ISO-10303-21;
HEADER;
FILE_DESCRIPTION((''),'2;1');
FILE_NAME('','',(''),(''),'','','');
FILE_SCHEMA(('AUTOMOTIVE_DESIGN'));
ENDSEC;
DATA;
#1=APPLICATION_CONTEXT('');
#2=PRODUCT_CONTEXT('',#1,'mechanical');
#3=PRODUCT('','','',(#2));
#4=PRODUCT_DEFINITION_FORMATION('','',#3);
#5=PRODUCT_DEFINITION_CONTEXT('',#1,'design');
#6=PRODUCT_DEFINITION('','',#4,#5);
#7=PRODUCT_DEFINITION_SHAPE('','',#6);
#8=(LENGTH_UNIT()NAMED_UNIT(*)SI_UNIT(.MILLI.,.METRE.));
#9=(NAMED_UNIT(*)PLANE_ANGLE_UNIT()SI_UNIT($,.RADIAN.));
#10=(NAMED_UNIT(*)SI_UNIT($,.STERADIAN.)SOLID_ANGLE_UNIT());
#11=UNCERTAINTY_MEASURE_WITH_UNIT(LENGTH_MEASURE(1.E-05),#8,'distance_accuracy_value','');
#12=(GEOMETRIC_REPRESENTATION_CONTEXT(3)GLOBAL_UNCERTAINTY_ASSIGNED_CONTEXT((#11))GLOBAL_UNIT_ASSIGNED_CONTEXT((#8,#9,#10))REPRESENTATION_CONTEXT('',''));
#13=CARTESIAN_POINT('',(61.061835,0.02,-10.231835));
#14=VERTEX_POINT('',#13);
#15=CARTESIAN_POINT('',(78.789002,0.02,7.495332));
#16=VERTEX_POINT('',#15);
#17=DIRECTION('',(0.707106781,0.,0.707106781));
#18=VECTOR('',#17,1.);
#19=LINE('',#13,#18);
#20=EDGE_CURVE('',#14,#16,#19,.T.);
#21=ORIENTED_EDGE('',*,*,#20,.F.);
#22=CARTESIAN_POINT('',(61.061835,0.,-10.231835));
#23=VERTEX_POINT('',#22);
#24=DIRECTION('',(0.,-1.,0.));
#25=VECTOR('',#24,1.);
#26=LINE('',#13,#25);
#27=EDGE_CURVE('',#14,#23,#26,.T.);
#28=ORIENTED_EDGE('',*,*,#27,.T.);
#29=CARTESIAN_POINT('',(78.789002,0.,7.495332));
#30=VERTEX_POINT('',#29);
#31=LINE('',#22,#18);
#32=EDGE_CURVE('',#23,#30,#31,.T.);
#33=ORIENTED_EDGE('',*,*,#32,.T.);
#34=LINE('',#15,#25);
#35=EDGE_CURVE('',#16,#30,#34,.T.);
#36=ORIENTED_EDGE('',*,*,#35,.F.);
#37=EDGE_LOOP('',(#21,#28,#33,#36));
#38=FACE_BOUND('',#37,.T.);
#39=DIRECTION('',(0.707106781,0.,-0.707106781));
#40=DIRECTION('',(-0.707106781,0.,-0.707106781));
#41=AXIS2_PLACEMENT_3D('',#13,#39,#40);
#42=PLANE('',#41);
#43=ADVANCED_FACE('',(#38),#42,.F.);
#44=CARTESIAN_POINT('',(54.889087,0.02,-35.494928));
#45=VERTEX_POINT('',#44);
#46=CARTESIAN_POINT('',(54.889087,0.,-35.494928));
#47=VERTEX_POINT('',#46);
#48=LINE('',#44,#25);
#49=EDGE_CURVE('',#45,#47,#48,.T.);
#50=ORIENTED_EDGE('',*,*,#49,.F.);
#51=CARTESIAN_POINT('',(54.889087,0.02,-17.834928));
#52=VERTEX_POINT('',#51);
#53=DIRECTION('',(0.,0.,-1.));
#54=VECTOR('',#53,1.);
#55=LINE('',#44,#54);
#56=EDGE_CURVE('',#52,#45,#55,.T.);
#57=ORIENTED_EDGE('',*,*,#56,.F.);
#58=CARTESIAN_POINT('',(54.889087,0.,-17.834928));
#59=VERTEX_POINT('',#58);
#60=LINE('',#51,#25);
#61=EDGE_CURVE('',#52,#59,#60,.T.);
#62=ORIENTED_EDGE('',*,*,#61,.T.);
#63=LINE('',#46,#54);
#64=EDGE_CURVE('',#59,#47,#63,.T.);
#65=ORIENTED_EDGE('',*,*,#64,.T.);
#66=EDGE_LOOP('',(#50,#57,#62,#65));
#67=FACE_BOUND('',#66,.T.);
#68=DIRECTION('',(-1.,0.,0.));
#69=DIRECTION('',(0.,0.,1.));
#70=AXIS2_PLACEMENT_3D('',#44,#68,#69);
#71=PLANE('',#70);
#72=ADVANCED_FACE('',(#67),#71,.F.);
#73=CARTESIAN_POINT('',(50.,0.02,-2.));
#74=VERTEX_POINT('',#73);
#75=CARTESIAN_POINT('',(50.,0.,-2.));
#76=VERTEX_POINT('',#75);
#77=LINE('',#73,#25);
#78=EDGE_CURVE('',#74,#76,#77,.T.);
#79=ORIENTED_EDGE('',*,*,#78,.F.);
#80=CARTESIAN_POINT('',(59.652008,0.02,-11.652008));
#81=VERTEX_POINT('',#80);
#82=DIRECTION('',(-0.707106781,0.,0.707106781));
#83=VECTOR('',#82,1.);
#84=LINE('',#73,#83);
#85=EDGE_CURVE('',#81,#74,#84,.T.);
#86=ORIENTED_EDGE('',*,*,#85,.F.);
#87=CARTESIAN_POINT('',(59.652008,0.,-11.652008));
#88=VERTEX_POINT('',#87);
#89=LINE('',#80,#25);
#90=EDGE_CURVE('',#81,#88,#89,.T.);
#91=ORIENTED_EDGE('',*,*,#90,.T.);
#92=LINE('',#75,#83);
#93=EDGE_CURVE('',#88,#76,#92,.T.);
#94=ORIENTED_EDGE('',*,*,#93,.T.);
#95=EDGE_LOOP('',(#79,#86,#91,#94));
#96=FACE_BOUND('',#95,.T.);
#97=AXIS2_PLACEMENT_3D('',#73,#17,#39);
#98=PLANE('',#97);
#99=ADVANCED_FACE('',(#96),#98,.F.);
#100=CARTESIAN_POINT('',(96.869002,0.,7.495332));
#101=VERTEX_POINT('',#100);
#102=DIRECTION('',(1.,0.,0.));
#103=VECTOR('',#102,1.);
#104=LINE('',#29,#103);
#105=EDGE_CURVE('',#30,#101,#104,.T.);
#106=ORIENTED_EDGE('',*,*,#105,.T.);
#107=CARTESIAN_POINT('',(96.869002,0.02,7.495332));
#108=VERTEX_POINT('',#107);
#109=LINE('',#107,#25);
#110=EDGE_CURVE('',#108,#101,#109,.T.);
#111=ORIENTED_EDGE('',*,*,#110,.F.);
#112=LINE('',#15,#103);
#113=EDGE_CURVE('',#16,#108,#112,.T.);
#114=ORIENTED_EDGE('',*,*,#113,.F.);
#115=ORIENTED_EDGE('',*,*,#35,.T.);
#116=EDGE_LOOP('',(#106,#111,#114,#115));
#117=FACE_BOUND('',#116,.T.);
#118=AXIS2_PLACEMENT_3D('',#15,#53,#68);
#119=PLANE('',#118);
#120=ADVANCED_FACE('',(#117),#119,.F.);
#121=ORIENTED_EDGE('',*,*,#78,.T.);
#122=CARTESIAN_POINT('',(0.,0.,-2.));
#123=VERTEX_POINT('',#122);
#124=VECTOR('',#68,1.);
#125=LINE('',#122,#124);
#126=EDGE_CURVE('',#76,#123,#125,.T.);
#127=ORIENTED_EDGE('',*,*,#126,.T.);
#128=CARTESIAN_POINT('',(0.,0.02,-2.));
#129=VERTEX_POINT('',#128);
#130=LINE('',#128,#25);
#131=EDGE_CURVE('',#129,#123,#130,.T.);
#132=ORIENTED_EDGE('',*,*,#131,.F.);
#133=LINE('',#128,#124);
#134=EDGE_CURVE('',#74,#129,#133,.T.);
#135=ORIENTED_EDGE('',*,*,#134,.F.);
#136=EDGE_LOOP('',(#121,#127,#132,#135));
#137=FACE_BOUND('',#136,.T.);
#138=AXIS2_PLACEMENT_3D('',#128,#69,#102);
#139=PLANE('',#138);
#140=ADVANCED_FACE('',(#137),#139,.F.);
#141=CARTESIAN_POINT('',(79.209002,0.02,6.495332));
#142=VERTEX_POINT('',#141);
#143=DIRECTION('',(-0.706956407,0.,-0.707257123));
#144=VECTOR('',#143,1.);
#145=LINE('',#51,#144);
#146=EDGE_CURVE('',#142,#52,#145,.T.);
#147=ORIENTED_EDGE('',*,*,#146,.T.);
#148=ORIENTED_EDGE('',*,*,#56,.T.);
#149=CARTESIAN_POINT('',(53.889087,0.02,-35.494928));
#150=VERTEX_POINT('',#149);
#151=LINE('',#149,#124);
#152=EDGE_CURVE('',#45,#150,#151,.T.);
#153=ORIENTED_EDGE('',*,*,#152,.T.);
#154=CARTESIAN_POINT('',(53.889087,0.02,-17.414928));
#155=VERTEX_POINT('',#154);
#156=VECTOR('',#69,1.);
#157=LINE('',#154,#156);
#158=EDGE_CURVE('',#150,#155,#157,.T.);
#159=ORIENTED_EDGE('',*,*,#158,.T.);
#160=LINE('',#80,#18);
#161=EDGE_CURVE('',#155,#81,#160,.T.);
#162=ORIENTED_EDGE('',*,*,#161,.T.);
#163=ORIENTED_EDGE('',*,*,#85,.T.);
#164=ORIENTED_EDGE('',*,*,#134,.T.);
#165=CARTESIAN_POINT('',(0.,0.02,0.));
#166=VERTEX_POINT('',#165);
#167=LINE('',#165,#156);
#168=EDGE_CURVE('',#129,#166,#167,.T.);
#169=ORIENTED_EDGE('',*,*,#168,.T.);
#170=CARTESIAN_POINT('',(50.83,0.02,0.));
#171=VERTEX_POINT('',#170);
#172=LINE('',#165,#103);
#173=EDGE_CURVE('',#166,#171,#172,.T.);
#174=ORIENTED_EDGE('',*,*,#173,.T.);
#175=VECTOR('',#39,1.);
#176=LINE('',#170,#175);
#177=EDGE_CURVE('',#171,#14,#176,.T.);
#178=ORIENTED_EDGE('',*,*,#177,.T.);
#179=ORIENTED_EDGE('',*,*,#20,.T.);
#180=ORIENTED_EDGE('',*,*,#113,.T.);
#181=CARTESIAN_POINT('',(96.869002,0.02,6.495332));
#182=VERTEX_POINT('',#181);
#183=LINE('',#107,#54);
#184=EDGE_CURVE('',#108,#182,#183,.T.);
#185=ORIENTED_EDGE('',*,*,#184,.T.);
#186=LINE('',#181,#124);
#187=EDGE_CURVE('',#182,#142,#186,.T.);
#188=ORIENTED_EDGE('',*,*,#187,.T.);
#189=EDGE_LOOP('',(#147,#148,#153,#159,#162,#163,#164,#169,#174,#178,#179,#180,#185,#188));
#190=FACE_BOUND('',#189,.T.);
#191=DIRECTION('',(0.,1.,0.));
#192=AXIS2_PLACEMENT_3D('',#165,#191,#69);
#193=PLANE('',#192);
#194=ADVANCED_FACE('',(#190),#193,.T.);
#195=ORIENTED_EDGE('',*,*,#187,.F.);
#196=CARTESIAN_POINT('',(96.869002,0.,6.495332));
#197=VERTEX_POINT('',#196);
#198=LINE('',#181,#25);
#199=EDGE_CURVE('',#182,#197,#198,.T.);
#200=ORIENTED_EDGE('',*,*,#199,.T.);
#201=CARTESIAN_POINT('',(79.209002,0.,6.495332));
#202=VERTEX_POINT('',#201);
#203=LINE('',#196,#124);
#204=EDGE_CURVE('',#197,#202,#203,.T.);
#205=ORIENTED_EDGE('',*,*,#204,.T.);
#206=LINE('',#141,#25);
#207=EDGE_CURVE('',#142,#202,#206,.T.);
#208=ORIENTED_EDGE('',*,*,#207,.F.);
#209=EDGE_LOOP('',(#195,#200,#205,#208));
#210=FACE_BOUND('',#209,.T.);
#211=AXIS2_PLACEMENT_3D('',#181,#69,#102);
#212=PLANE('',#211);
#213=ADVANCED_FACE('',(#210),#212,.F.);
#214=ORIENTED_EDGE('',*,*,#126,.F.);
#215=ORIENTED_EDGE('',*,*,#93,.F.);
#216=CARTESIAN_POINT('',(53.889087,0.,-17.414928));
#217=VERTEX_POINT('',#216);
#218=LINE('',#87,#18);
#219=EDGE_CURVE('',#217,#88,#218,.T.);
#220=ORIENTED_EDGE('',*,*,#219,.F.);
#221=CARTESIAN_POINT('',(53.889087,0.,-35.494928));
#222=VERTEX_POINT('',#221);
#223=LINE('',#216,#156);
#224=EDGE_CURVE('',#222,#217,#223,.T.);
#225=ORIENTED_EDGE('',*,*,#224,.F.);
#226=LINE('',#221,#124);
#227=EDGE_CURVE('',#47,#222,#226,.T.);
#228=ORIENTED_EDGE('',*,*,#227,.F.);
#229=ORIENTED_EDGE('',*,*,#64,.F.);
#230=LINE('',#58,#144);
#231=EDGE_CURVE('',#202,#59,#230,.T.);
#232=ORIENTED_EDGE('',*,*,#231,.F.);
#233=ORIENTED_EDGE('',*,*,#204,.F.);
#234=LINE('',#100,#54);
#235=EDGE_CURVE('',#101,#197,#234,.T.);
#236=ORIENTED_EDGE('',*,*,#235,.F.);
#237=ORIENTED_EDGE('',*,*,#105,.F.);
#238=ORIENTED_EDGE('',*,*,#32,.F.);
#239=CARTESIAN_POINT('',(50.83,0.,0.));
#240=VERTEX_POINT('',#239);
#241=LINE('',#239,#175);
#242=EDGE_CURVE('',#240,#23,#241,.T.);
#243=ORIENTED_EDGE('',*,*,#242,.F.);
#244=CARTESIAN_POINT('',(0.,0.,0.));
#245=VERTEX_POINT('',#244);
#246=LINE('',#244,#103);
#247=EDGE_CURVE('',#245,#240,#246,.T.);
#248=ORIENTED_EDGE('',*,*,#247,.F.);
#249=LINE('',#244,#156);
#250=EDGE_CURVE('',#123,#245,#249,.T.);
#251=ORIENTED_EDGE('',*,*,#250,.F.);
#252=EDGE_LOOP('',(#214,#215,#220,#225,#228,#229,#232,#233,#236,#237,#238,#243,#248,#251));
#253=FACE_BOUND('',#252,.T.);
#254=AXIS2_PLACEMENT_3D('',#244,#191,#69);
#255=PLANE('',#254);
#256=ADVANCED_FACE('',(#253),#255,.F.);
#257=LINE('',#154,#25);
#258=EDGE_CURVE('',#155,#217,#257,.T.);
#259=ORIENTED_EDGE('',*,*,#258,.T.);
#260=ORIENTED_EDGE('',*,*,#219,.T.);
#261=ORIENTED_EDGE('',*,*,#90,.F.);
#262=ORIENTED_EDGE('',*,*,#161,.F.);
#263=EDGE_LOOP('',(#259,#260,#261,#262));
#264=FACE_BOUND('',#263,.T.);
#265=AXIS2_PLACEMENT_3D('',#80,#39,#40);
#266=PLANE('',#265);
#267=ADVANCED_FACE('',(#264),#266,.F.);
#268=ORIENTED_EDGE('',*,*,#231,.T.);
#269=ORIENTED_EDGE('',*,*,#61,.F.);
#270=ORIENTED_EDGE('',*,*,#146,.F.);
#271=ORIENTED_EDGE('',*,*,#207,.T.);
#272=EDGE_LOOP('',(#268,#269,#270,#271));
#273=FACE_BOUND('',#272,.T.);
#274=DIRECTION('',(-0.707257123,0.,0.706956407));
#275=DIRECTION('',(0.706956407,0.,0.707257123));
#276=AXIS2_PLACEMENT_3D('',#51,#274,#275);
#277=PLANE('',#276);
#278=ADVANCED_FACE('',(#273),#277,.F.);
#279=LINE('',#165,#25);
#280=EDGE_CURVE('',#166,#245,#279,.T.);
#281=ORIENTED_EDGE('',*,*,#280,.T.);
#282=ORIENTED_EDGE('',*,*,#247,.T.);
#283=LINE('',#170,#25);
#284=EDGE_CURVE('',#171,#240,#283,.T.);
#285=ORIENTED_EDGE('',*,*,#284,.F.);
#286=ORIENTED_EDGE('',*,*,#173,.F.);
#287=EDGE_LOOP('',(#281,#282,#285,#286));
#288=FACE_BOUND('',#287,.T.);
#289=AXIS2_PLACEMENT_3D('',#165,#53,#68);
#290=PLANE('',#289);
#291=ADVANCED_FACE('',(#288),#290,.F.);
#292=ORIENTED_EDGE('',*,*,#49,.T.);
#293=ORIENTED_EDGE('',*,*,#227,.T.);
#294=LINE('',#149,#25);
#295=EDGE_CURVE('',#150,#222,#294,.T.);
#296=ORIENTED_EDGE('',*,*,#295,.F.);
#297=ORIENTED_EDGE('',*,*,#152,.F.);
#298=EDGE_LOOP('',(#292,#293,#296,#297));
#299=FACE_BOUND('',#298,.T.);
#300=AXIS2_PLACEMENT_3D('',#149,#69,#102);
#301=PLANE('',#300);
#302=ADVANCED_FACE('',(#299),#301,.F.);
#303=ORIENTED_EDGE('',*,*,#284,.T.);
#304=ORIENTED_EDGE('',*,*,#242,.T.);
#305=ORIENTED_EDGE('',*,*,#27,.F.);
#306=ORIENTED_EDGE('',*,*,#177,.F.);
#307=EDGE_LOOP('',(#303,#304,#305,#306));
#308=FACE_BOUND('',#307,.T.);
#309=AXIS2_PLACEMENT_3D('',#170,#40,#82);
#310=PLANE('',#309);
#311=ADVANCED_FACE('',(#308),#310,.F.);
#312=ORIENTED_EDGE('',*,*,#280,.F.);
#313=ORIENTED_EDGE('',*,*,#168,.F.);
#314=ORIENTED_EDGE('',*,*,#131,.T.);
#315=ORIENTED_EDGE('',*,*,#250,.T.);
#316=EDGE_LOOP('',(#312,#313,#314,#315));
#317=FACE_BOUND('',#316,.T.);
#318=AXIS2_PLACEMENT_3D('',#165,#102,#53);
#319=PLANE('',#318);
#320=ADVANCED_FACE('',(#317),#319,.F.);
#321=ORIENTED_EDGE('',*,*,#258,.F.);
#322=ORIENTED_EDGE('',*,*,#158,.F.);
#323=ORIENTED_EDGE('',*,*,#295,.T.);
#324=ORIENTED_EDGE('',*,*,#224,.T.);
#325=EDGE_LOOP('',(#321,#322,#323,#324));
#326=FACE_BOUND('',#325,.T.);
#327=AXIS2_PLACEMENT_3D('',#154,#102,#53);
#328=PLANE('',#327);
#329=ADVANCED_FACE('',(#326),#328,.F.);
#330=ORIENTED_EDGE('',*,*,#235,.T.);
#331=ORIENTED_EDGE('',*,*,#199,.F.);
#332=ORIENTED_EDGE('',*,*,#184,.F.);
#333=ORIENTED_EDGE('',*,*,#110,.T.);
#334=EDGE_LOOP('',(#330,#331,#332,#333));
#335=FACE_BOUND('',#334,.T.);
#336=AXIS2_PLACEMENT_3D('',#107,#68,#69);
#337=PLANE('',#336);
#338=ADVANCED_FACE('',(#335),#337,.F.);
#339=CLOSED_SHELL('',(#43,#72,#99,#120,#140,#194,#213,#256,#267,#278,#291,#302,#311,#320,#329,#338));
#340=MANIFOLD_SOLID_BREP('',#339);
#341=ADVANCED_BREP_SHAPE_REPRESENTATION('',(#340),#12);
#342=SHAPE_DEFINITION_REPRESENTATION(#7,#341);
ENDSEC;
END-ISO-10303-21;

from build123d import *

# Parameters (mm, degrees)
BOSS_EXTRUDE1_DEPTH = 0.02


with BuildPart() as part:
    # Sketch1 → Boss-Extrude1 (new body)
    with BuildSketch(Plane(origin=(0, 0, 0), x_dir=(1, 0, 0), z_dir=(0, 1, 0))):
        Polygon((0, 0), (0, 2), (50, 2), (59.652007563, 11.652007563), (53.889087297, 17.41492783), (53.889087297, 35.49492783), (54.889087297, 35.49492783), (54.889087297, 17.83492783), (79.209002128, -6.495331881), (96.869002128, -6.495331881), (96.869002128, -7.495331881), (78.789002128, -7.495331881), (61.061835124, 10.231835124), (50.83, 0), align=None)
    extrude(amount=BOSS_EXTRUDE1_DEPTH)


solid = part.part
